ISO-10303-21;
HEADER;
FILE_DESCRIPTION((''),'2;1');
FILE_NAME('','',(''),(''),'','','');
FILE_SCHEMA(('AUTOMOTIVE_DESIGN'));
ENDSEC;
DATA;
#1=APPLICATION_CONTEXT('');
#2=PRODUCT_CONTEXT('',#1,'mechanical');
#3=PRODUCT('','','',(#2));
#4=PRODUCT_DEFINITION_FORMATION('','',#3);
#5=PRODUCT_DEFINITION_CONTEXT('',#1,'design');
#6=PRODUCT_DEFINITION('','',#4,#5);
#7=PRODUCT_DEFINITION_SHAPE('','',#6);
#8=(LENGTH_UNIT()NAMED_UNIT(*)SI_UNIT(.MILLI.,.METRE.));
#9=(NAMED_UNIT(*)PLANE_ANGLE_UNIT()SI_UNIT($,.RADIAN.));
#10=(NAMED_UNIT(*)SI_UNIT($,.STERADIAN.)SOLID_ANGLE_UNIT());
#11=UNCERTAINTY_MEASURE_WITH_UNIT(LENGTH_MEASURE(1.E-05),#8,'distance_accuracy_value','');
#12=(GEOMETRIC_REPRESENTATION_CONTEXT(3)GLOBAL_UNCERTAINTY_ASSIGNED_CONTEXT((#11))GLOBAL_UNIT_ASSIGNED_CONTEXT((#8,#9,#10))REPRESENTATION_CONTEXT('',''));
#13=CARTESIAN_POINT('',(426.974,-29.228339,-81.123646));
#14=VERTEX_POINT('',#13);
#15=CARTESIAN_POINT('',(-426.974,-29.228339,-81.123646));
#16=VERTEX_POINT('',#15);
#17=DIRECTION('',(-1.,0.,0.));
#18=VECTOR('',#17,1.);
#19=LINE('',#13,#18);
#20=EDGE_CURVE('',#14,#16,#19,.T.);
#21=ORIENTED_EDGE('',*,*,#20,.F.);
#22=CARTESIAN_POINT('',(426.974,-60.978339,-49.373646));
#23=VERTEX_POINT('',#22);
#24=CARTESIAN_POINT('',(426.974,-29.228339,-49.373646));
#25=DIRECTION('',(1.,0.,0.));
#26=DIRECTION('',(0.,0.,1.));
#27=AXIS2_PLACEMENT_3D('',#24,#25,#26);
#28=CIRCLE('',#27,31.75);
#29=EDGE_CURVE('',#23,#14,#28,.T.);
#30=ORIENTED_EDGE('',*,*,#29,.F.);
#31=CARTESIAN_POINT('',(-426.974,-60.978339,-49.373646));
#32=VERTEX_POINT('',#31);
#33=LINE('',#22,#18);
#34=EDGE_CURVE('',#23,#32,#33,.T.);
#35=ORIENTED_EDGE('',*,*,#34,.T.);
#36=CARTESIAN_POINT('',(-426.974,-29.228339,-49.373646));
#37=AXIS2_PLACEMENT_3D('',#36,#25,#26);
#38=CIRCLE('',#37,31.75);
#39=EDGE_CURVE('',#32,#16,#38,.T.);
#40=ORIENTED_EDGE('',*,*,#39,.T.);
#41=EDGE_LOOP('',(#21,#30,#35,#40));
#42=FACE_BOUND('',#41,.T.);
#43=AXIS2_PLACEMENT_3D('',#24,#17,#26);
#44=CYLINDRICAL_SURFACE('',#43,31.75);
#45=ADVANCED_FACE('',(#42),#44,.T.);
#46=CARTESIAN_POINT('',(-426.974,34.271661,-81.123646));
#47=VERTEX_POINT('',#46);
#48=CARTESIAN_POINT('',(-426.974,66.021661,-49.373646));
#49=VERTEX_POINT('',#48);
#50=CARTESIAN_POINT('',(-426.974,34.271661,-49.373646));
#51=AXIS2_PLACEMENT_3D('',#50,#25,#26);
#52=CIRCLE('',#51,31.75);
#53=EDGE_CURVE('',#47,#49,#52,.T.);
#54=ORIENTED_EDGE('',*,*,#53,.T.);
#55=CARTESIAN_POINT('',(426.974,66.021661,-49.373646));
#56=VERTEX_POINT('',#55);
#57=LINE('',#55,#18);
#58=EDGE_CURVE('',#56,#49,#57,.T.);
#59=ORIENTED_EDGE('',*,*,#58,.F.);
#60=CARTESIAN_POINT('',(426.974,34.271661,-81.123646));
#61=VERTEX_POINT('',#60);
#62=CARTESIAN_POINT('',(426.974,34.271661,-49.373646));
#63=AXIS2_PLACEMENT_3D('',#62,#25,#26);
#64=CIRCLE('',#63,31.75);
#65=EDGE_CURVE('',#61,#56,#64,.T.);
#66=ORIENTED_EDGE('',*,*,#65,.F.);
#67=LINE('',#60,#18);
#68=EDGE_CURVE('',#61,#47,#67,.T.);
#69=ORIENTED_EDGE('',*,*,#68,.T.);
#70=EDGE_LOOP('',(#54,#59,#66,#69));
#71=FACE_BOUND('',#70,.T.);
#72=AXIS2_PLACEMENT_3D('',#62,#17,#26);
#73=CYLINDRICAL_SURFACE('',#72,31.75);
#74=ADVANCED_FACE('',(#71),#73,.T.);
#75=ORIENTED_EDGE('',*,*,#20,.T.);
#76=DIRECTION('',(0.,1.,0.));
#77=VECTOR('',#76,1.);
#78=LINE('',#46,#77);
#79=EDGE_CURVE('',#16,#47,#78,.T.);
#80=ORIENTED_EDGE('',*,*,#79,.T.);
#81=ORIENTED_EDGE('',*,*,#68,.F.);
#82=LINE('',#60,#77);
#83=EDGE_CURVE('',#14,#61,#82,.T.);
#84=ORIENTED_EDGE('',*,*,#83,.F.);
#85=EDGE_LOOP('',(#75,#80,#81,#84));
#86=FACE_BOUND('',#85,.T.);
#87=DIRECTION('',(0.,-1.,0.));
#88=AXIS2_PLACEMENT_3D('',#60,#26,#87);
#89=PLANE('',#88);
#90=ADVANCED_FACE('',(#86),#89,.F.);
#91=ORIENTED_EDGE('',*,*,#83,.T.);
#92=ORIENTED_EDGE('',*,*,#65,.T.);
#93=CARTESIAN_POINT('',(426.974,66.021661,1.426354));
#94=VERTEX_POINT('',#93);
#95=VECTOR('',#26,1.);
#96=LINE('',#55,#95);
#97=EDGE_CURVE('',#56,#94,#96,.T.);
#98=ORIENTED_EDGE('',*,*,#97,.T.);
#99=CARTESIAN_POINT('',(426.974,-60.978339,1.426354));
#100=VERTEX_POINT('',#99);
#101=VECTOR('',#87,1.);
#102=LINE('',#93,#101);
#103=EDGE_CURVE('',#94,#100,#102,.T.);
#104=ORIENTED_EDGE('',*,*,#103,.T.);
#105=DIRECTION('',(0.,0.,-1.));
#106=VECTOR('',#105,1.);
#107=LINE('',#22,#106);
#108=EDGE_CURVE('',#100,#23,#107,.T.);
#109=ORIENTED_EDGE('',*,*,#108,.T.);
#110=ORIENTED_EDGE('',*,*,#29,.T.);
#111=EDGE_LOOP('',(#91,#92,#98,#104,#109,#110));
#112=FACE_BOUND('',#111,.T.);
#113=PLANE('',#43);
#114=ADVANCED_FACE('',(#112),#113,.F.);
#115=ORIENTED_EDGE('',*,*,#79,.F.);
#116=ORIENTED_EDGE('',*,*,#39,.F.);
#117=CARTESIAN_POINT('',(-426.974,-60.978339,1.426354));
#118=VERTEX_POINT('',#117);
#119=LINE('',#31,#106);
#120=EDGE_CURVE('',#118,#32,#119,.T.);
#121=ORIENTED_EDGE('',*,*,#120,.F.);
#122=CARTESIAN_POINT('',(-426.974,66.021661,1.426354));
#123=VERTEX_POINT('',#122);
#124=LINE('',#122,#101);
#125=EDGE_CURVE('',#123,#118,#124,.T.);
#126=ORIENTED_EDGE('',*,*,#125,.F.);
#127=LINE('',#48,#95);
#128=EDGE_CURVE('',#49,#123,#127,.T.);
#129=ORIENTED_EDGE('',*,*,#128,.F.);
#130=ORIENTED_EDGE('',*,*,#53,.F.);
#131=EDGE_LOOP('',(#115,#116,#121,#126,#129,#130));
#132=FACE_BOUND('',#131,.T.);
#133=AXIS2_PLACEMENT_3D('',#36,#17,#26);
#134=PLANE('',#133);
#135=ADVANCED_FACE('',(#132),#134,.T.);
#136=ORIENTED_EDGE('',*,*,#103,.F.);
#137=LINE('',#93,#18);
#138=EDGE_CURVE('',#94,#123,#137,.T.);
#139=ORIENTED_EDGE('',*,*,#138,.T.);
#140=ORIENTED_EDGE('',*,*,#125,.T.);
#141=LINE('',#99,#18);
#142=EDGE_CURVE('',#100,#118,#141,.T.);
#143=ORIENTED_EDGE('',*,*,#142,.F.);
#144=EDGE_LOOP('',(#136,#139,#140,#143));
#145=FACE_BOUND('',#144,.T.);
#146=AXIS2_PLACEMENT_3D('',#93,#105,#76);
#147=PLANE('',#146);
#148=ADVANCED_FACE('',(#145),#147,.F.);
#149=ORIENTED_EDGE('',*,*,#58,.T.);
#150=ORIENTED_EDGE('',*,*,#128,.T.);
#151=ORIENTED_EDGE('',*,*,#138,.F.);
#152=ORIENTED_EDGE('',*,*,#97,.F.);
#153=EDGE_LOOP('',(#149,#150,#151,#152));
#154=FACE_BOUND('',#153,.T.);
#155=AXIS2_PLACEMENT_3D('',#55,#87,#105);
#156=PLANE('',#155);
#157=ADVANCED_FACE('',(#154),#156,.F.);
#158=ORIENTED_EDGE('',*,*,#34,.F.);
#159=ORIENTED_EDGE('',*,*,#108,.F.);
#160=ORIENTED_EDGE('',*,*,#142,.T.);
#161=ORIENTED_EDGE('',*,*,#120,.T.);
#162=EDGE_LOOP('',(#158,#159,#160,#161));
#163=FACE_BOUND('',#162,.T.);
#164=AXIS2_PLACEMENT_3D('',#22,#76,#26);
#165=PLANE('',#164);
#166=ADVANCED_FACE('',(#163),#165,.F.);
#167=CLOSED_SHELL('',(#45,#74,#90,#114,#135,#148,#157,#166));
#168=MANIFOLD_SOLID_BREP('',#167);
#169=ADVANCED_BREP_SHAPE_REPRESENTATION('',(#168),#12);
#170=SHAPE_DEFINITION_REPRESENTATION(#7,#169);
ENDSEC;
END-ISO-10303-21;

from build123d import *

# Parameters (mm, degrees)
BOSS_EXTRUDE1_DEPTH = 426.974


with BuildPart() as part:
    # Sketch1 → Boss-Extrude1 (new body, symmetric)
    with BuildSketch(Plane(origin=(0, 0, 0), x_dir=(0, 0, -1), z_dir=(1, 0, 0))):
        with BuildLine():
            Line((49.373646209, 66.02166065), (-1.426353791, 66.02166065))
            Line((-1.426353791, 66.02166065), (-1.426353791, -60.97833935))
            Line((-1.426353791, -60.97833935), (49.373646209, -60.97833935))
            ThreePointArc((49.373646209, -60.97833935), (71.824286512, -51.678979653), (81.123646209, -29.22833935))
            Line((81.123646209, -29.22833935), (81.123646209, 34.27166065))
            ThreePointArc((81.123646209, 34.27166065), (71.824286512, 56.722300952), (49.373646209, 66.02166065))
        make_face()
    extrude(amount=BOSS_EXTRUDE1_DEPTH, both=True)


solid = part.part
